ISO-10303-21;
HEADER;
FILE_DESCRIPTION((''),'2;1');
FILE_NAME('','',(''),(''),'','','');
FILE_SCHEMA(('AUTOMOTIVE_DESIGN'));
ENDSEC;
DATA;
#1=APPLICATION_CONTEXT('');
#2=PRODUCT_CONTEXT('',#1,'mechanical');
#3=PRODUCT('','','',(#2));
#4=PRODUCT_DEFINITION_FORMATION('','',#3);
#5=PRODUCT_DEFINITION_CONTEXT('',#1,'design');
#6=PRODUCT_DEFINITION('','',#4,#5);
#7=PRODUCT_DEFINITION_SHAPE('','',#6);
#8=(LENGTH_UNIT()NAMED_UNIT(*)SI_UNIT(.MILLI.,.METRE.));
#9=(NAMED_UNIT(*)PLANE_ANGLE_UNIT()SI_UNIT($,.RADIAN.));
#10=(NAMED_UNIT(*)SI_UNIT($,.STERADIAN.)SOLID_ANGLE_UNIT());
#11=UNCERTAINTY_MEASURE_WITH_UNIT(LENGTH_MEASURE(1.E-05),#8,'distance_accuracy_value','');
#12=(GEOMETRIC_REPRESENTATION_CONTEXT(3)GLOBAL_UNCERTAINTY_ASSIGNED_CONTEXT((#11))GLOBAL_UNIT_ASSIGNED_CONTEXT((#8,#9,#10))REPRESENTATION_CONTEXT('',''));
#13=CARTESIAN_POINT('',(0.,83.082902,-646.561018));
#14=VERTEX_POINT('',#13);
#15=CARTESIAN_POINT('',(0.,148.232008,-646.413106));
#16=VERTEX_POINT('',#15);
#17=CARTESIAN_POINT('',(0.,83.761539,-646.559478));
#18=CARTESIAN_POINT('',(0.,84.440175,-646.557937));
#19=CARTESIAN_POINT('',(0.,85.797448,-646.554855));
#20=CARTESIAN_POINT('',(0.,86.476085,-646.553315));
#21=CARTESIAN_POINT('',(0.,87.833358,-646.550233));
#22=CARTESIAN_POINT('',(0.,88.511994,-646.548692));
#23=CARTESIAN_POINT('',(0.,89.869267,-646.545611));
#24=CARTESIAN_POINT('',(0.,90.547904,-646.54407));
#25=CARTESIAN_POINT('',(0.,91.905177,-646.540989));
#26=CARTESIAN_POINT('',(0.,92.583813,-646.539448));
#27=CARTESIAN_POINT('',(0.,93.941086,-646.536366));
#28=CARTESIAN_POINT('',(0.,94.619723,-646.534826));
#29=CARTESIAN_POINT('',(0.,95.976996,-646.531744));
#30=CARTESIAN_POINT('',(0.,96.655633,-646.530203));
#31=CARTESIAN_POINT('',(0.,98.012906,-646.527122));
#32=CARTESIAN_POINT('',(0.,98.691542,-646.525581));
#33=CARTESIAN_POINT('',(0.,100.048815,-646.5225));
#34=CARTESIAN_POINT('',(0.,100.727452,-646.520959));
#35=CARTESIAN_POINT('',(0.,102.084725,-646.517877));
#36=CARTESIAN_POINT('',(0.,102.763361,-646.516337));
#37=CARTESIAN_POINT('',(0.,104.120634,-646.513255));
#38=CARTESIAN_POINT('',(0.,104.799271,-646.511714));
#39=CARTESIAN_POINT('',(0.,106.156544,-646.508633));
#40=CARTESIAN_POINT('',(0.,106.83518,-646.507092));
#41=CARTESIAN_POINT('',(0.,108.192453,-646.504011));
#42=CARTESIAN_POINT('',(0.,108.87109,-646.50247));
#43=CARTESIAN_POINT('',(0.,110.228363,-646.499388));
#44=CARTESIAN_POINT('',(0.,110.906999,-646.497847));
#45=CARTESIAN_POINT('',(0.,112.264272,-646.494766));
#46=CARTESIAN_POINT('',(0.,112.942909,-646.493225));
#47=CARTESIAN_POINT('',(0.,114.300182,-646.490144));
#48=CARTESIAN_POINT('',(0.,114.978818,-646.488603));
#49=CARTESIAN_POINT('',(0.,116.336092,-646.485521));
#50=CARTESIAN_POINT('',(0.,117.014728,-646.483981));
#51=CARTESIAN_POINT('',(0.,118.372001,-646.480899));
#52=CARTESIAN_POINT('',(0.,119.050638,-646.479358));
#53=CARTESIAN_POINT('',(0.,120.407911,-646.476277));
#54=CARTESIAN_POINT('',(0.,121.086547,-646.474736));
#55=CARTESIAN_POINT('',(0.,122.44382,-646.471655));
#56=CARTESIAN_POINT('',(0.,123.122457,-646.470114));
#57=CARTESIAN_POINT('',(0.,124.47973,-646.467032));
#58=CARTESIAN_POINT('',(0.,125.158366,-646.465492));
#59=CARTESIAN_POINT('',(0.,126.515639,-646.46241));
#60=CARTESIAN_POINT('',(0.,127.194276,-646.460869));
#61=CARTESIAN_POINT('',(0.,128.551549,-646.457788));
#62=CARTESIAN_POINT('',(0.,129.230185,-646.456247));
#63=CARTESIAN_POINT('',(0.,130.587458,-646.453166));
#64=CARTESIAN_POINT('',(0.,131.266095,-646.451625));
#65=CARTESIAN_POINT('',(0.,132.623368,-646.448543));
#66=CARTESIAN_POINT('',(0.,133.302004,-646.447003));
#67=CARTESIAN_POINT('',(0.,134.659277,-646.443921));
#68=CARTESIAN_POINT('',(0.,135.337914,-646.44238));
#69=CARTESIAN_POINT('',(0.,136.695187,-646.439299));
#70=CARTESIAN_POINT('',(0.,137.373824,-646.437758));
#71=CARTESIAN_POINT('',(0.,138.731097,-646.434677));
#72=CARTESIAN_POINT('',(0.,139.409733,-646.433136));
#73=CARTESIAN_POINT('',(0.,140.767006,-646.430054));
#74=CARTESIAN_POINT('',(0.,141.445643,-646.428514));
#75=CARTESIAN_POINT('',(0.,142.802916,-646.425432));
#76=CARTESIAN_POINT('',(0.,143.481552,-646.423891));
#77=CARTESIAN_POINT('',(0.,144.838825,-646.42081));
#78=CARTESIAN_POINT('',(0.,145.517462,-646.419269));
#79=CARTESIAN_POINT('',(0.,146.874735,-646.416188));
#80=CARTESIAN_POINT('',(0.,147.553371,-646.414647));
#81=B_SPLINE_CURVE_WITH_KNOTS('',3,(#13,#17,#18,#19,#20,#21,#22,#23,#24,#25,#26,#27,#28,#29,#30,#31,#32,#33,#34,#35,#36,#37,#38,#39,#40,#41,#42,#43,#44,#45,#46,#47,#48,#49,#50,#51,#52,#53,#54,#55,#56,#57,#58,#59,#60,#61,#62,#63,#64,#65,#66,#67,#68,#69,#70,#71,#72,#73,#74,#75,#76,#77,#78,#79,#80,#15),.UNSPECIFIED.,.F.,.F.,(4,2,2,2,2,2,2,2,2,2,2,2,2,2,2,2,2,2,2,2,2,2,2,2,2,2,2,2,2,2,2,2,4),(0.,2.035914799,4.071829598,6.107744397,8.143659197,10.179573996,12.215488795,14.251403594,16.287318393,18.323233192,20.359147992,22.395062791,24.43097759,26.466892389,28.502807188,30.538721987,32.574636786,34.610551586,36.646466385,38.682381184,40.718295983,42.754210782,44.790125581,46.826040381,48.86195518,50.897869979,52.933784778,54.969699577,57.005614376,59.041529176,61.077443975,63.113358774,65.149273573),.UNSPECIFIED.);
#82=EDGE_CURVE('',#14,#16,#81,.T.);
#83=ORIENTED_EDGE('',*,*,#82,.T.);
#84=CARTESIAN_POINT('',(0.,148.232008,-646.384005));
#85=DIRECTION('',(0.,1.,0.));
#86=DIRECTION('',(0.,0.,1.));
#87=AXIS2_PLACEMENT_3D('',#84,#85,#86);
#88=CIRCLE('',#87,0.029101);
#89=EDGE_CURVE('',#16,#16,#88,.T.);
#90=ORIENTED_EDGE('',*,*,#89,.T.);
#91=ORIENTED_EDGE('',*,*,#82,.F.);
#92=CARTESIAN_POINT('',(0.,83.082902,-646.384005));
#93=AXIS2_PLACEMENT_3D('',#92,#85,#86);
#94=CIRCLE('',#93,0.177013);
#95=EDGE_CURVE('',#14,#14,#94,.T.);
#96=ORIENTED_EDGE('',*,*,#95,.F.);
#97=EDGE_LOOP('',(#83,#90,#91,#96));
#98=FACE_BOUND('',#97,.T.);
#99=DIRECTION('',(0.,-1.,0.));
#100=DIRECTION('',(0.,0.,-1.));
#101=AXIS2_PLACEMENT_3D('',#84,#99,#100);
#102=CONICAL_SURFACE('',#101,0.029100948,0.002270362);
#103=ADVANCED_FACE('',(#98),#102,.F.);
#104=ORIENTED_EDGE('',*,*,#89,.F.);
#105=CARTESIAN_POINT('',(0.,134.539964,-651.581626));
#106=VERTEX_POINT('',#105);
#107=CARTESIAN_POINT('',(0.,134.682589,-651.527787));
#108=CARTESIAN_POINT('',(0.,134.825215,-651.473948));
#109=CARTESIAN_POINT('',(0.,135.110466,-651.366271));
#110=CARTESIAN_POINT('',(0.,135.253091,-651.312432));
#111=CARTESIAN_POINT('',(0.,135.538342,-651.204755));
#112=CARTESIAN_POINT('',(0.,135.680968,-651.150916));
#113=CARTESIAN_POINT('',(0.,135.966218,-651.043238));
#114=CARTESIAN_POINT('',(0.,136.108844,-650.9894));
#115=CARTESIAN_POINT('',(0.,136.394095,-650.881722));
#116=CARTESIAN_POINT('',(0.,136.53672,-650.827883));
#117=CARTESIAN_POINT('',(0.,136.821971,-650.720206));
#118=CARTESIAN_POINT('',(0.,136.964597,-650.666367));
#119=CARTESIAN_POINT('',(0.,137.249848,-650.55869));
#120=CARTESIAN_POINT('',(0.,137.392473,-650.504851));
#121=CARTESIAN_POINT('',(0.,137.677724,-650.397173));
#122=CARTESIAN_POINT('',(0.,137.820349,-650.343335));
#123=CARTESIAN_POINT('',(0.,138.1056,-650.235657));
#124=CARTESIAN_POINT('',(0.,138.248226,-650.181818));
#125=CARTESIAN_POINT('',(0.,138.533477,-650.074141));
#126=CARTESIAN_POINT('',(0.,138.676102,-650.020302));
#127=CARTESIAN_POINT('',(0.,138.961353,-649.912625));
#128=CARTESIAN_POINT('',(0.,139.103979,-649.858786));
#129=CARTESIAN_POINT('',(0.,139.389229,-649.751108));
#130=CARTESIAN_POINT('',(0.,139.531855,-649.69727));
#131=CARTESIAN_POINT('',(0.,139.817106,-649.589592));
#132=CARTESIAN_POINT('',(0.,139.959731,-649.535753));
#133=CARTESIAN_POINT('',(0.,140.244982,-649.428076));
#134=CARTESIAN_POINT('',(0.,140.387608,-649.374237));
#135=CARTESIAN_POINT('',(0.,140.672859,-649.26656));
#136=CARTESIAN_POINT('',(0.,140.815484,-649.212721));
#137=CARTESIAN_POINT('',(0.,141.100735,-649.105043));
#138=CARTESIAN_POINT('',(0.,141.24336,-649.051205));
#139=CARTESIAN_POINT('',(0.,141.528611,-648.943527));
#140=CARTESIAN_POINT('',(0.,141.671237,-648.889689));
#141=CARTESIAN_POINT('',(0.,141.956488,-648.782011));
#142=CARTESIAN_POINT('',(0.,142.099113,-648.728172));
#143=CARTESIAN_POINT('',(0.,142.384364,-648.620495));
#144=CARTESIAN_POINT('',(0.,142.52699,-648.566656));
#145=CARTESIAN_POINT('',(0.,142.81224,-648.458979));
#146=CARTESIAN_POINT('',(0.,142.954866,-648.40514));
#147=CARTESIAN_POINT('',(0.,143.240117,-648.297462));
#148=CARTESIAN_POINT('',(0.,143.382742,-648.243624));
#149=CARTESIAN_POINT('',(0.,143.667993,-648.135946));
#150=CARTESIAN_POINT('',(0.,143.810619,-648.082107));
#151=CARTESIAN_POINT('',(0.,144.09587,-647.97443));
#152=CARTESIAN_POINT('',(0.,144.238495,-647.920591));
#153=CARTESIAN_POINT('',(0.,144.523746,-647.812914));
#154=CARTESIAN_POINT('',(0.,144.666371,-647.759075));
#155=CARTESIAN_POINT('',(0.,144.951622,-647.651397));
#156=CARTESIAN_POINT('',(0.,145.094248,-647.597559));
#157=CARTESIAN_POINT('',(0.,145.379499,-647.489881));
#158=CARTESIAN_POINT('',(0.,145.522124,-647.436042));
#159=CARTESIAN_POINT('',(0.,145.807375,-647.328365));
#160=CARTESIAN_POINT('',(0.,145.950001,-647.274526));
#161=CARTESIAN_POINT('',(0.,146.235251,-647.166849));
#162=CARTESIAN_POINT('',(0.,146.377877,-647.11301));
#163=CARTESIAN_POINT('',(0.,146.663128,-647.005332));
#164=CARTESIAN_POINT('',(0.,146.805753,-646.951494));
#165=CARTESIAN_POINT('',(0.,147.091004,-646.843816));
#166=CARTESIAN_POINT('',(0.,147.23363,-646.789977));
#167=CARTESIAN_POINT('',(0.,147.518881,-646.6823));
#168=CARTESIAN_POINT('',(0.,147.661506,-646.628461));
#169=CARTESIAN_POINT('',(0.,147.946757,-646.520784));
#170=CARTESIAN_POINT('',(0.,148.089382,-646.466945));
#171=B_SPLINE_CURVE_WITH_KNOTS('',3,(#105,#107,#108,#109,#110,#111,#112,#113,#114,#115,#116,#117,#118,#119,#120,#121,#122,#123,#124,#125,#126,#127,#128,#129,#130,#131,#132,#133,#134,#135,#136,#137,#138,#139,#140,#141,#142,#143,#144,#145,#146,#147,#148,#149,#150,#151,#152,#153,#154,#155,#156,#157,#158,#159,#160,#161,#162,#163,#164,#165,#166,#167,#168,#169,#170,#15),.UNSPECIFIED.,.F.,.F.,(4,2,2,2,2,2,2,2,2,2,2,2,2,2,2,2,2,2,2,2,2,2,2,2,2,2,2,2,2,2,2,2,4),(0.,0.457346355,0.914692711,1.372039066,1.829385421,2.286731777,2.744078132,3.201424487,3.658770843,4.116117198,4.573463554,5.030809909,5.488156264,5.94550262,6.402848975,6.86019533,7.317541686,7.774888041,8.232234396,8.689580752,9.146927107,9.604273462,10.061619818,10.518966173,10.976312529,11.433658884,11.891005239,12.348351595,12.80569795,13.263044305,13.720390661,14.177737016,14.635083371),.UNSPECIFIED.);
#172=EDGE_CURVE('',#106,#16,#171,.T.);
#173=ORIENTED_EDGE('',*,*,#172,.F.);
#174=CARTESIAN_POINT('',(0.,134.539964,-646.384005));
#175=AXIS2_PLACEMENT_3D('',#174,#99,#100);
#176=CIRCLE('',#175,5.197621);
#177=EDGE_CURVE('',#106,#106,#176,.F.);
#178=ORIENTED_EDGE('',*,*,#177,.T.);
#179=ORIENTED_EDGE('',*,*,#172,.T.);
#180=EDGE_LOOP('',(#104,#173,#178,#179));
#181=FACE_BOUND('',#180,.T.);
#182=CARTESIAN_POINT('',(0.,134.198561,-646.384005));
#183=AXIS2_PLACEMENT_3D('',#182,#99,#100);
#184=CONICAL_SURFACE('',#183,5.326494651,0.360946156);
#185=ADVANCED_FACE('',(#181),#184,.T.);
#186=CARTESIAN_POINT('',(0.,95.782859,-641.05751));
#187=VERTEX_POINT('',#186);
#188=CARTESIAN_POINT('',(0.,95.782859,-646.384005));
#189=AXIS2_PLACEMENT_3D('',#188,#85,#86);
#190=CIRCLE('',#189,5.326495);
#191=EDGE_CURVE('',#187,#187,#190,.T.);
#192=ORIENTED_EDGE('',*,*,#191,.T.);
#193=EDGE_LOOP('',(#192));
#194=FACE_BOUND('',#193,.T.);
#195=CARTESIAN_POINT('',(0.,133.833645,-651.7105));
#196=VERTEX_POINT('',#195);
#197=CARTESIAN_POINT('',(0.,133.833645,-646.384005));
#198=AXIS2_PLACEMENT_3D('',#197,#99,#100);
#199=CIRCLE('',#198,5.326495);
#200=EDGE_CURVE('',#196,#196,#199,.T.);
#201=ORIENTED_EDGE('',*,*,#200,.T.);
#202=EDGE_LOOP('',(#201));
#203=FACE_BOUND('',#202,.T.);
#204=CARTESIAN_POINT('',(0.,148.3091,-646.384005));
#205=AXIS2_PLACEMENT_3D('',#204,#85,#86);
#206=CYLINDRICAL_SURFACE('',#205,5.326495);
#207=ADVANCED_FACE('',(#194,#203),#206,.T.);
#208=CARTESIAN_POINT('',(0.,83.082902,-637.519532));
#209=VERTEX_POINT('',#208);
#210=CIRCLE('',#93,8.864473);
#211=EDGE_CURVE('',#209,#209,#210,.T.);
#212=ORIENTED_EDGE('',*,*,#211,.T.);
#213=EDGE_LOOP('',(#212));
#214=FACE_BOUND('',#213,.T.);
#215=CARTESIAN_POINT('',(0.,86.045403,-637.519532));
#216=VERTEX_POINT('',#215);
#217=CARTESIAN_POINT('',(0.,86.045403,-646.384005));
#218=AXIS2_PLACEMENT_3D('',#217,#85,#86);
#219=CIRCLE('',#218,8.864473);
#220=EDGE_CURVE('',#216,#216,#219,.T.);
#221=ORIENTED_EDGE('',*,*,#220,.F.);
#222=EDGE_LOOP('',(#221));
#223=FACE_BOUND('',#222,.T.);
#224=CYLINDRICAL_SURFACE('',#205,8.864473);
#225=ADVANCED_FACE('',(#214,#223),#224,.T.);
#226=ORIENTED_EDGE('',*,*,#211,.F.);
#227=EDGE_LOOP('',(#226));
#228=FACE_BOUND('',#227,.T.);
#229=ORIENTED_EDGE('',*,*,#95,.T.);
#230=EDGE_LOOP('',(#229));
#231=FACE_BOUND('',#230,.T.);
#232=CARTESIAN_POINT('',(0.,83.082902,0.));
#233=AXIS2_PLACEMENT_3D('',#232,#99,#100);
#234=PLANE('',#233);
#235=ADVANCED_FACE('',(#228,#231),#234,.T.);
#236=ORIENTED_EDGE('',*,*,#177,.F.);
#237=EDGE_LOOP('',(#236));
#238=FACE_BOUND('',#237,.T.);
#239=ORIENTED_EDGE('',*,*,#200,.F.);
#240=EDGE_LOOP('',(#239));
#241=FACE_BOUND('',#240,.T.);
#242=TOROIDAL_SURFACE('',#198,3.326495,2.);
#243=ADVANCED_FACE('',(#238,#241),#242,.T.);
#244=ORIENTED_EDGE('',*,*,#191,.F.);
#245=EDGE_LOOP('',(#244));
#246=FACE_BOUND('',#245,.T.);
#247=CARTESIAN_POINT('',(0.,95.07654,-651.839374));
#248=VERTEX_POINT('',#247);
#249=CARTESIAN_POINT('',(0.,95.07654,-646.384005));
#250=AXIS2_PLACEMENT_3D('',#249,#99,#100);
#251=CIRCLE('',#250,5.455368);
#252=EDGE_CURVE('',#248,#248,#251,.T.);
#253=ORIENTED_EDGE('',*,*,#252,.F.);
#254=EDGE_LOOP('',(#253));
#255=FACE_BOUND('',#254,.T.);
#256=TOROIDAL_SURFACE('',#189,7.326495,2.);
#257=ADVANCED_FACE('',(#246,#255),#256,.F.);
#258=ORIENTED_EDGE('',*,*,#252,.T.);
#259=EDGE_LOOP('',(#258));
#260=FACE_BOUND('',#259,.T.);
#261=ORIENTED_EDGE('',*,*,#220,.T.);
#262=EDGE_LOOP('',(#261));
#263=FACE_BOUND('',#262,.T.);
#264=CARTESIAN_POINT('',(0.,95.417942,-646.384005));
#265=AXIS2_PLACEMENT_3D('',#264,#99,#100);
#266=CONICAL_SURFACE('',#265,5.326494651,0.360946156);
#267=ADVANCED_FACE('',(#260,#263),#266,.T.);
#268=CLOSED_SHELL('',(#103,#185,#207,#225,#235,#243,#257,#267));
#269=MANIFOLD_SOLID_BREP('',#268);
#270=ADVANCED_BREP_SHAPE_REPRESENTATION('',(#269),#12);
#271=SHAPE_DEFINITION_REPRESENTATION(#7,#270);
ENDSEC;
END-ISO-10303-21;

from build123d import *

# Parameters (mm, degrees)
FILLET1_R = 2
FILLET2_R = 2


with BuildPart() as part:
    # Sketch1 → Revolve1 (revolve)
    with BuildSketch(Plane(origin=(0, 0, 0), x_dir=(0, 0, -1), z_dir=(1, 0, 0))):
        Polygon((646.354904154, 148.232007839), (646.206991826, 83.082902173), (637.519532066, 83.082902173), (637.519532066, 86.045403185), (641.057510451, 95.417942416), (641.057510451, 134.198561364), align=None)
    revolve(axis=Axis((0, 148.309099824, -646.384005102), (0, -1, 0)))

    # Fillet1
    fillet1_edges = [part.edges().sort_by_distance(p)[0] for p in [
        (0, 95.417942416, -651.710499752),
    ]]
    fillet(fillet1_edges, radius=FILLET1_R)

    # Fillet2
    fillet2_edges = [part.edges().sort_by_distance(p)[0] for p in [
        (0, 134.198561364, -651.710499752),
    ]]
    fillet(fillet2_edges, radius=FILLET2_R)


solid = part.part
